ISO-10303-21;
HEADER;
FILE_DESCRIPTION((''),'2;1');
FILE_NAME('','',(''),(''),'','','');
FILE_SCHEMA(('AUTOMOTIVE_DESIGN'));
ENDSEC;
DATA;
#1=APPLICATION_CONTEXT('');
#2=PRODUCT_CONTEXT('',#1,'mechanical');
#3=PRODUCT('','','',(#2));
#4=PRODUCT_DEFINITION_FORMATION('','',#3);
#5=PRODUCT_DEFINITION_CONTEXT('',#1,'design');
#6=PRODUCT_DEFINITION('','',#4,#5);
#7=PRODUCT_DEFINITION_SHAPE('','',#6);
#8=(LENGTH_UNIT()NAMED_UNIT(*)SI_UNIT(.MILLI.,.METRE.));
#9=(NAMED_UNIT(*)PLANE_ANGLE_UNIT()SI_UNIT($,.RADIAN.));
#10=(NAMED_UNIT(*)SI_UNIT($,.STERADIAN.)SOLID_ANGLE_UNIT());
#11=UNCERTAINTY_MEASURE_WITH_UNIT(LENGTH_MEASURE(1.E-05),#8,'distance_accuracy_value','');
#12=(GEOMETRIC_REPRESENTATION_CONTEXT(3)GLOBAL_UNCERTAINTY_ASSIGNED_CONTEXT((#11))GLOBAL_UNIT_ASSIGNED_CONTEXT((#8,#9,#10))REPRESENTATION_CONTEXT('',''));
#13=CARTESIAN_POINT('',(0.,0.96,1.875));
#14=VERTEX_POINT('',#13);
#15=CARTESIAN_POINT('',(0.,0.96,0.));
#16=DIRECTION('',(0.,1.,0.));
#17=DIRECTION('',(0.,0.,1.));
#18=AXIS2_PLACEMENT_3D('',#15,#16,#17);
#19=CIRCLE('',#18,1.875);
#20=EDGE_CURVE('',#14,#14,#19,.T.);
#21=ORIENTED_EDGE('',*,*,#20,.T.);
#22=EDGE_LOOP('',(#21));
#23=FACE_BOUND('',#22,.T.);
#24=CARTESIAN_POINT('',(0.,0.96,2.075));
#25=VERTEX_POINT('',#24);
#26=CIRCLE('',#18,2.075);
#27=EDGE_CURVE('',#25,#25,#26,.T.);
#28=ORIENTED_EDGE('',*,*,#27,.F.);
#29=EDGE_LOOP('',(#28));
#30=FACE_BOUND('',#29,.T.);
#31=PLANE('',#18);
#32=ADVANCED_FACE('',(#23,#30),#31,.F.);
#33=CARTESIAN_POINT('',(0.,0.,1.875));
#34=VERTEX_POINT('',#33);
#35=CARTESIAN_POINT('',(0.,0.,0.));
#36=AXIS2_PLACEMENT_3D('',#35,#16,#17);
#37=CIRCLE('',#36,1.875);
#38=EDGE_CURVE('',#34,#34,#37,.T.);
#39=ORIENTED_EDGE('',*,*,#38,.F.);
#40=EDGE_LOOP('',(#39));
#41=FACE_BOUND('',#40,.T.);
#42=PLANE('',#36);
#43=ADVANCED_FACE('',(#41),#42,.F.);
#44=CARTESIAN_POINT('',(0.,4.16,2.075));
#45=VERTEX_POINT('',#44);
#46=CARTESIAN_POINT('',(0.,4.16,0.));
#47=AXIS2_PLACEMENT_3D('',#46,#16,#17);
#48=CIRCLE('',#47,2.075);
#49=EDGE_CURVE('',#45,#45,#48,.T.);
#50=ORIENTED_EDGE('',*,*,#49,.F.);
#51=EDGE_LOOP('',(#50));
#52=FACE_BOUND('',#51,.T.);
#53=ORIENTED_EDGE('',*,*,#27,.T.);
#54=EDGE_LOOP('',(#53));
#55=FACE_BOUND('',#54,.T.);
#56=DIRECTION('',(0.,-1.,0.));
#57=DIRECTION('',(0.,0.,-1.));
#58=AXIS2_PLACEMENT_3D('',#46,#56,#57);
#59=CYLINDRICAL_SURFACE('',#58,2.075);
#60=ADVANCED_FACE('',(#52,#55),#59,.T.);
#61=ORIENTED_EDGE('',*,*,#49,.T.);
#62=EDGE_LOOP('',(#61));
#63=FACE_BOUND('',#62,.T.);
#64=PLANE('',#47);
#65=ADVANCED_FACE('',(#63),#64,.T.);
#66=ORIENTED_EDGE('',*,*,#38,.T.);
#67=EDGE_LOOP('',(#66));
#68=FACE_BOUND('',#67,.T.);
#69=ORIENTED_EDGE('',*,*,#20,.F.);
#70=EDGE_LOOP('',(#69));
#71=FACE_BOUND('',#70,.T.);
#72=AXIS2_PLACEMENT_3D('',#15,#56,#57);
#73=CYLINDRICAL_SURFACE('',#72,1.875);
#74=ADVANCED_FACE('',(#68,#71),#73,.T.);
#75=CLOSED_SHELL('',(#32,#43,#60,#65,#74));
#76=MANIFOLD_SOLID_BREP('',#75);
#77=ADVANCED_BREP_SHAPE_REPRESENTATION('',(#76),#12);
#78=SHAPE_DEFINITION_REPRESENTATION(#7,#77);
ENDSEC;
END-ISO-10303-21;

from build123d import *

# Parameters (mm, degrees)
SKETCH1_R           = 1.875
BOSS_EXTRUDE1_DEPTH = 0.96
SKETCH2_R           = 2.075
BOSS_EXTRUDE2_DEPTH = 3.2


with BuildPart() as part:
    # Sketch1 → Boss-Extrude1 (new body)
    with BuildSketch(Plane(origin=(0, 0, 0), x_dir=(1, 0, 0), z_dir=(0, 1, 0))):
        with Locations(Location((0, 0, 0), (0, 0, 270))):
            Circle(SKETCH1_R)
    extrude(amount=BOSS_EXTRUDE1_DEPTH)

    # Sketch2 → Boss-Extrude2 (add)
    with BuildSketch(Plane(origin=(0, 0.96, 0), x_dir=(1, 0, 0), z_dir=(0, 1, 0))):
        with Locations(Location((0, 0, 0), (0, 0, 270))):
            Circle(SKETCH2_R)
    extrude(amount=BOSS_EXTRUDE2_DEPTH)


solid = part.part
